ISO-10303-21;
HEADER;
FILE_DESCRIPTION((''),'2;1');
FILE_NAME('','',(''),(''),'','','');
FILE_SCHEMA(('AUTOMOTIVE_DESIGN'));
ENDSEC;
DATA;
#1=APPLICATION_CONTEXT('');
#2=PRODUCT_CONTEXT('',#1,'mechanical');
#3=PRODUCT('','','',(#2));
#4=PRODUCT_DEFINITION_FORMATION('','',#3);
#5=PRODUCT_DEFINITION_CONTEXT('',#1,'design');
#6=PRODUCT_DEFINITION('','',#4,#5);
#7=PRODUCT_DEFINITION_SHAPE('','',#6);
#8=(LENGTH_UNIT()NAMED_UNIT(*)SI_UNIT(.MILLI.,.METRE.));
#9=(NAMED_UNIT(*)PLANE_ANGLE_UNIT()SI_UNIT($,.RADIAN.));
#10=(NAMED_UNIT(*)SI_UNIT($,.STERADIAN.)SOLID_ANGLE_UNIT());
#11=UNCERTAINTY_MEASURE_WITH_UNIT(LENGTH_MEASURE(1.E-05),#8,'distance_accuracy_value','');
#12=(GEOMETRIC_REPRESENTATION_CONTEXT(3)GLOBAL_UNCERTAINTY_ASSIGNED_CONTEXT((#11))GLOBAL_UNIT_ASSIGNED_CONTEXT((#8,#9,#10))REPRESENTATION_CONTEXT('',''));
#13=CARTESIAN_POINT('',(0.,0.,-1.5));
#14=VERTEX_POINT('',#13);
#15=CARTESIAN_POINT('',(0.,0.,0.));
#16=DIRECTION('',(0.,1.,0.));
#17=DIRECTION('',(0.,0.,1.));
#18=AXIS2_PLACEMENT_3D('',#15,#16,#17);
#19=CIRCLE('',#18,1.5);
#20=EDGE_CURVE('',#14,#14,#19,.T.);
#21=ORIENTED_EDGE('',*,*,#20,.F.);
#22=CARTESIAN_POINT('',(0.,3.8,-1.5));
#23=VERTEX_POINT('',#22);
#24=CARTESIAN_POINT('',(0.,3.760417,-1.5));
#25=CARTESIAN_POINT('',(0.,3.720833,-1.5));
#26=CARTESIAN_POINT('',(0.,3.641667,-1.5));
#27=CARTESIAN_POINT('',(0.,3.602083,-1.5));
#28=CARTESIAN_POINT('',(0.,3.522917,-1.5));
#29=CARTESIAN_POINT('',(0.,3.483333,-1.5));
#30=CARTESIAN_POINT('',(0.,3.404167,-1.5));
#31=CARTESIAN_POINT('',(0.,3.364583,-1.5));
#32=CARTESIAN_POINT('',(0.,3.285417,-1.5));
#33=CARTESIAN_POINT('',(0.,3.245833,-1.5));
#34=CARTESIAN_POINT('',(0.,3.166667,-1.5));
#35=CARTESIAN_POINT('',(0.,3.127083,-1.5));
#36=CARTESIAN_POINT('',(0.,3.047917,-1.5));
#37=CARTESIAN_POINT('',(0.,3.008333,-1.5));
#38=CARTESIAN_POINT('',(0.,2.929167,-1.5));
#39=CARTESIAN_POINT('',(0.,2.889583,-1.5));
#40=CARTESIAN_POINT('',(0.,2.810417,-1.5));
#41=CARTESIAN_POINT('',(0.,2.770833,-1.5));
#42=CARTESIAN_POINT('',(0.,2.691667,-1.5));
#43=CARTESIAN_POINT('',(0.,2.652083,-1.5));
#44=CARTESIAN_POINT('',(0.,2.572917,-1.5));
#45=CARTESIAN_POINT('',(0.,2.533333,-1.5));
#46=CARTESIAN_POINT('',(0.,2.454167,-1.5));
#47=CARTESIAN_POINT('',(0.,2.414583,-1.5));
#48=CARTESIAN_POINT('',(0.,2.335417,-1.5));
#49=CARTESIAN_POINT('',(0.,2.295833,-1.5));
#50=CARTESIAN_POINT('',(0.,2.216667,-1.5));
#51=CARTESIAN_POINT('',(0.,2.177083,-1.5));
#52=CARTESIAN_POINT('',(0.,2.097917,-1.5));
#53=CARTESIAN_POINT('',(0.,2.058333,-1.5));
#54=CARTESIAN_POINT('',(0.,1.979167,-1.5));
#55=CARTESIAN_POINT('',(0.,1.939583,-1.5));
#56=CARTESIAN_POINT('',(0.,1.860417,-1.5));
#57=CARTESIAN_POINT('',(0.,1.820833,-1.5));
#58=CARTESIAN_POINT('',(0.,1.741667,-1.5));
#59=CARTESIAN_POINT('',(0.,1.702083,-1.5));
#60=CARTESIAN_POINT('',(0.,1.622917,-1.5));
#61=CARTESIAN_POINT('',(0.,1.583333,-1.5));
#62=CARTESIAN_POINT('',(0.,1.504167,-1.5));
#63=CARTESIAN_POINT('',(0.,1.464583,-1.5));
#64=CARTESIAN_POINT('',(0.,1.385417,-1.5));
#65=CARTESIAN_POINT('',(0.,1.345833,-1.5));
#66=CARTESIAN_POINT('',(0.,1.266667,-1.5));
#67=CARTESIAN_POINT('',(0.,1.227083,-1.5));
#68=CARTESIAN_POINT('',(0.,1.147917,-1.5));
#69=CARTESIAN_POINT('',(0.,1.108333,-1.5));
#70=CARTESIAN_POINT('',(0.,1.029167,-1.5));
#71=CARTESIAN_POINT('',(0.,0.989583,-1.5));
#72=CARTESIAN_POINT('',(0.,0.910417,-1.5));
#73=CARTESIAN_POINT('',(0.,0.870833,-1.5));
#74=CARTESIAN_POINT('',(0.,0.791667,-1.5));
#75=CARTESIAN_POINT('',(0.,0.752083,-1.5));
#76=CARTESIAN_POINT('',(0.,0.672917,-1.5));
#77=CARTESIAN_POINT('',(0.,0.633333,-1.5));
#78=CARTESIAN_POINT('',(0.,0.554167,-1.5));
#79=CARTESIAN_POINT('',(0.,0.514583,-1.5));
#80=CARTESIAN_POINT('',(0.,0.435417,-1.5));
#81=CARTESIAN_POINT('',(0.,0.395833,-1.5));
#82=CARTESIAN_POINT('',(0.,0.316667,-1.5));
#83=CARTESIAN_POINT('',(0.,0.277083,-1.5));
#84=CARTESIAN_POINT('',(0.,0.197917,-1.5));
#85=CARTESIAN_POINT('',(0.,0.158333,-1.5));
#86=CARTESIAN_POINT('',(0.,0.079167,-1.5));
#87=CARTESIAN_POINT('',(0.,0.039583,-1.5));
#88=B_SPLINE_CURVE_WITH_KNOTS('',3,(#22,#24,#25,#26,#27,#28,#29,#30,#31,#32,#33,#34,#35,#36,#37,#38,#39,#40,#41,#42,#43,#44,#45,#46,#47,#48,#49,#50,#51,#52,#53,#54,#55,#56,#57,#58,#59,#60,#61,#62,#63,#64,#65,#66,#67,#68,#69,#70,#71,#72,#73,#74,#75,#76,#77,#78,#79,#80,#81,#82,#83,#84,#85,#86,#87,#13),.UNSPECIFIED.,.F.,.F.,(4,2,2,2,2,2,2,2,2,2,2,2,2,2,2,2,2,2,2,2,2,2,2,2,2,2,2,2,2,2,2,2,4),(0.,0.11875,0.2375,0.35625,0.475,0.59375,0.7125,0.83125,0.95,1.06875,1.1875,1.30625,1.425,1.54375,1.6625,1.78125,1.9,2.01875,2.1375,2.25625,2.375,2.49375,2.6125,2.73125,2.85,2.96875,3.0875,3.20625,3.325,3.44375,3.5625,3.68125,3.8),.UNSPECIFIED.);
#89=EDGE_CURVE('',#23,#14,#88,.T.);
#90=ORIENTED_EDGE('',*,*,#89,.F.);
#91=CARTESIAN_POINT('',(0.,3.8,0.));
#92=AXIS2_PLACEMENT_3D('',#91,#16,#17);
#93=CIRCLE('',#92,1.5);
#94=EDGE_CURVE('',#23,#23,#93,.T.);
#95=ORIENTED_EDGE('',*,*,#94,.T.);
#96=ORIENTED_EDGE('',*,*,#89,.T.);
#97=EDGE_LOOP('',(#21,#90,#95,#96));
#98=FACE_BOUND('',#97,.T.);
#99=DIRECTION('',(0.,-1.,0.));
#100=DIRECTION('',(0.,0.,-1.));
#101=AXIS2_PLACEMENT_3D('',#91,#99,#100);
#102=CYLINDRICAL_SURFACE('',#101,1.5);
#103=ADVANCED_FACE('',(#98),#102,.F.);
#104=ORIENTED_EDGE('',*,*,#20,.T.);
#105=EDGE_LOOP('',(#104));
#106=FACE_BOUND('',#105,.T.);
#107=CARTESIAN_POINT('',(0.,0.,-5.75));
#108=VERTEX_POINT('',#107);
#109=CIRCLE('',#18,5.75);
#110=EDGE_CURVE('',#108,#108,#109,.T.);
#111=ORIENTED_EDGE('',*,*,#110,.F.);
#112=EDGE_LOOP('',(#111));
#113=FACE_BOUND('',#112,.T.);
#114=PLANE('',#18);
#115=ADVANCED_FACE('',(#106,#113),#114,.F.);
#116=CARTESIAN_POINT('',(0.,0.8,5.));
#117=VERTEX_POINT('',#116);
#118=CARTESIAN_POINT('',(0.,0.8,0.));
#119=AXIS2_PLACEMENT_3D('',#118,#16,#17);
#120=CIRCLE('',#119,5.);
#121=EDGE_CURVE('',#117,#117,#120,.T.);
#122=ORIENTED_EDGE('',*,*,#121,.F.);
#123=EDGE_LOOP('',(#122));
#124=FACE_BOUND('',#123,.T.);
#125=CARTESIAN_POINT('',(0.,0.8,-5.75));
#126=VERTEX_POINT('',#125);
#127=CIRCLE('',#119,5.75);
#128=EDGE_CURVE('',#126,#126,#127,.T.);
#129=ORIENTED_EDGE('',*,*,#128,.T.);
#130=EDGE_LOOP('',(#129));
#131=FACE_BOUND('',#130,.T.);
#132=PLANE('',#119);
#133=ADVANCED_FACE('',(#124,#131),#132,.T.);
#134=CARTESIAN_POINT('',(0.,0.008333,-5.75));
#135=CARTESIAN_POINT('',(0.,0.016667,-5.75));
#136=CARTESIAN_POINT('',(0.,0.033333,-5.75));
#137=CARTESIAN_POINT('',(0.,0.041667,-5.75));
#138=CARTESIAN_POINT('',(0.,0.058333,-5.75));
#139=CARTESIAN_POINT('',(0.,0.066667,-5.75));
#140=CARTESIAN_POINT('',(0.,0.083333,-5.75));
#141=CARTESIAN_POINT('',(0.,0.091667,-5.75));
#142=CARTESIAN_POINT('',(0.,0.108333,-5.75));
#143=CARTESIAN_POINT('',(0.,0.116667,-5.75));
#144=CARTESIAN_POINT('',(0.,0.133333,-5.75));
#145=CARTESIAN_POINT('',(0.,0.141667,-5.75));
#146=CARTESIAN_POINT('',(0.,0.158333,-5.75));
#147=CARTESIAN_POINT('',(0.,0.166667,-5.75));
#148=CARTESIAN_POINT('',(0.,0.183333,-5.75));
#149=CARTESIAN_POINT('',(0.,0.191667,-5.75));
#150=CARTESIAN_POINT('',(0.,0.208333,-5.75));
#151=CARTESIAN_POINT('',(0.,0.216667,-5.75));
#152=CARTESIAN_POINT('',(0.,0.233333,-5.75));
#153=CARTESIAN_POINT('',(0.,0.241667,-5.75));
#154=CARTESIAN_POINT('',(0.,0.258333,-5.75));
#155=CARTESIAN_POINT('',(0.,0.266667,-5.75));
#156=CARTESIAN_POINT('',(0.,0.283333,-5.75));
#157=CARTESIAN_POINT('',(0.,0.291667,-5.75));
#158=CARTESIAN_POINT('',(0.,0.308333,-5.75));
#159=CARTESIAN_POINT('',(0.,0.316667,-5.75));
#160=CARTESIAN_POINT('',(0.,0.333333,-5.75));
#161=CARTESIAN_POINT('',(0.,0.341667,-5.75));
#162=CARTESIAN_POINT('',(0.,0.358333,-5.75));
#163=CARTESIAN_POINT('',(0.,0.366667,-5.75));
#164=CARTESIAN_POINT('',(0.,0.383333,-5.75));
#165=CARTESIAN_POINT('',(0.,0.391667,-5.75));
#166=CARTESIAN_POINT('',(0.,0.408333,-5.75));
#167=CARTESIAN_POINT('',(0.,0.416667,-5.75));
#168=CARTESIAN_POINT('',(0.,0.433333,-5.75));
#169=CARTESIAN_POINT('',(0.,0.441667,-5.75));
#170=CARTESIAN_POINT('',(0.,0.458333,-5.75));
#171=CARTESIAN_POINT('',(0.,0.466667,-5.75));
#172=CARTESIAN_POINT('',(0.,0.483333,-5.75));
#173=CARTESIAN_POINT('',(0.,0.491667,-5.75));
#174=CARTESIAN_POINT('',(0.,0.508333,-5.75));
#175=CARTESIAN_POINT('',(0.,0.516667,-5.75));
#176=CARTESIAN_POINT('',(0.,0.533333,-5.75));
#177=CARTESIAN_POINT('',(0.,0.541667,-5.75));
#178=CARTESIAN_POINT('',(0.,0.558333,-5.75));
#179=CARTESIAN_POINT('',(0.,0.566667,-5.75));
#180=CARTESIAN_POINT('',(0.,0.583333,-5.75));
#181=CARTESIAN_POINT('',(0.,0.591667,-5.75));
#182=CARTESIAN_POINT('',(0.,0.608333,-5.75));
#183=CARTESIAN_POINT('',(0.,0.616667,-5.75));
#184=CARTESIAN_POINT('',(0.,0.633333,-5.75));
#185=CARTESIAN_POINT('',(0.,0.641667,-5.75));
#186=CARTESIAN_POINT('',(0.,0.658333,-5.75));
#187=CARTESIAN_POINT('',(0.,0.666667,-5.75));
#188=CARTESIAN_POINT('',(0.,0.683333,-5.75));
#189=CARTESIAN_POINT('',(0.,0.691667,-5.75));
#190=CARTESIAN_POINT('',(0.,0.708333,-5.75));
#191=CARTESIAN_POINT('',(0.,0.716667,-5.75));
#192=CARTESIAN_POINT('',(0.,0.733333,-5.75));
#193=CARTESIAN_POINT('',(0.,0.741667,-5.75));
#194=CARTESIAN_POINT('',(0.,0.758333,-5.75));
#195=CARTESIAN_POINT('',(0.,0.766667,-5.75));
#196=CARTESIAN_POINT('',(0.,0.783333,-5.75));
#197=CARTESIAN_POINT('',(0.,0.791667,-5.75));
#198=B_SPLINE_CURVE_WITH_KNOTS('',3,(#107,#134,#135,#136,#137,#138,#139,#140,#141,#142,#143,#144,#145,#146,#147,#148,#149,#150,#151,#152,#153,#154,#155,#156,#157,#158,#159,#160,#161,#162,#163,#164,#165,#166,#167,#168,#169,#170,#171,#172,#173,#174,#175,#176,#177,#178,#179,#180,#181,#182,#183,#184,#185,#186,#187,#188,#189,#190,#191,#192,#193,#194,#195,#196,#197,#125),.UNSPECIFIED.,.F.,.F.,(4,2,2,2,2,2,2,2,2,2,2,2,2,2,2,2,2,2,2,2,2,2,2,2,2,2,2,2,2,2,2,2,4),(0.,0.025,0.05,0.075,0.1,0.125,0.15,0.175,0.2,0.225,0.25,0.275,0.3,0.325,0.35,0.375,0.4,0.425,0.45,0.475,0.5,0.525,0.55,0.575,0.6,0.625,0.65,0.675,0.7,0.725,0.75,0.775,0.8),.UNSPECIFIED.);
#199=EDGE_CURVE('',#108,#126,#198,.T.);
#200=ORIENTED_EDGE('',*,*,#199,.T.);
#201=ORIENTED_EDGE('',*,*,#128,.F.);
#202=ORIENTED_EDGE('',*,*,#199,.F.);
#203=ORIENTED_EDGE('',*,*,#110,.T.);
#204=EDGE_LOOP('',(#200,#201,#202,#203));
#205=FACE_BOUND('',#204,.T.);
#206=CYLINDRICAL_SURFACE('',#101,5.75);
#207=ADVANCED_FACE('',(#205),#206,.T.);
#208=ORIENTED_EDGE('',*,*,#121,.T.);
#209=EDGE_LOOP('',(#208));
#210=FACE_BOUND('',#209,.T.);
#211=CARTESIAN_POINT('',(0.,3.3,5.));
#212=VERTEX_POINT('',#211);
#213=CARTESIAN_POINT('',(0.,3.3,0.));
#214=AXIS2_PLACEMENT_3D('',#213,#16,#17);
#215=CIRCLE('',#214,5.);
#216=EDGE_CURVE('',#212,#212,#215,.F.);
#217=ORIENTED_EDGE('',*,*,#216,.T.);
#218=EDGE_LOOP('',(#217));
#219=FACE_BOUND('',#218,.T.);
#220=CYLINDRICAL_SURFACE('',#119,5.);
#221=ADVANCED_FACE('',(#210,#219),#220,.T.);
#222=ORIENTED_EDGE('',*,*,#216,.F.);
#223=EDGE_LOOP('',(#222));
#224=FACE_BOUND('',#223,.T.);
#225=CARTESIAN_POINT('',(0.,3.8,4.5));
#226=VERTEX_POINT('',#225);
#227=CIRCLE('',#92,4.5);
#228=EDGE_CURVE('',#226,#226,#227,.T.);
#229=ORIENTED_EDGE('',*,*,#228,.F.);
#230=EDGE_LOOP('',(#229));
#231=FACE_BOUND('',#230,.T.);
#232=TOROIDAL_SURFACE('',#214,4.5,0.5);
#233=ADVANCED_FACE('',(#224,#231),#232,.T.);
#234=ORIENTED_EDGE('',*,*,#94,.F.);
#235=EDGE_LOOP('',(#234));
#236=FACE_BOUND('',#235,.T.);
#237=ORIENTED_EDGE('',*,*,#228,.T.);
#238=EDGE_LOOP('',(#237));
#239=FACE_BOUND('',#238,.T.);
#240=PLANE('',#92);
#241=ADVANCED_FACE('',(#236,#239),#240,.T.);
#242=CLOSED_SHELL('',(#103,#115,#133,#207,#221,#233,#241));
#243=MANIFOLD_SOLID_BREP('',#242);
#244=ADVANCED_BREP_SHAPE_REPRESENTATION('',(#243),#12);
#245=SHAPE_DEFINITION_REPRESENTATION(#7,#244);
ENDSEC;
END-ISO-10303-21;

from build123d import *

# Parameters (mm, degrees)
SKETCH1_R           = 5.75
SKETCH1_R_2         = 1.5
BOSS_EXTRUDE1_DEPTH = 3.8
SKETCH2_OUTSIDE_W   = 16.84
SKETCH2_OUTSIDE_H   = 16.84
SKETCH2_OUTSIDE_R   = 5
CUT_EXTRUDE1_DEPTH  = 3
FILLET1_R           = 0.5


with BuildPart() as part:
    # Sketch1 → Boss-Extrude1 (new body)
    with BuildSketch(Plane(origin=(0, 0, 0), x_dir=(1, 0, 0), z_dir=(0, 1, 0))):
        with Locations(Location((0, 0, 0), (0, 0, 90))):
            Circle(SKETCH1_R)
        with Locations(Location((0, 0, 0), (0, 0, 90))):
            Circle(SKETCH1_R_2, mode=Mode.SUBTRACT)
    extrude(amount=BOSS_EXTRUDE1_DEPTH)

    # Sketch2 outside → Cut-Extrude1 (cut)
    with BuildSketch(Plane(origin=(0, 3.8, 0), x_dir=(1, 0, 0), z_dir=(0, 1, 0))):
        Rectangle(SKETCH2_OUTSIDE_W, SKETCH2_OUTSIDE_H)
        with Locations(Location((0, 0, 0), (0, 0, 270))):
            Circle(SKETCH2_OUTSIDE_R, mode=Mode.SUBTRACT)
    extrude(amount=-CUT_EXTRUDE1_DEPTH, mode=Mode.SUBTRACT)

    # Fillet1
    fillet1_edges = [part.edges().sort_by_distance(p)[0] for p in [
        (0, 3.8, -5),
    ]]
    fillet(fillet1_edges, radius=FILLET1_R)


solid = part.part
